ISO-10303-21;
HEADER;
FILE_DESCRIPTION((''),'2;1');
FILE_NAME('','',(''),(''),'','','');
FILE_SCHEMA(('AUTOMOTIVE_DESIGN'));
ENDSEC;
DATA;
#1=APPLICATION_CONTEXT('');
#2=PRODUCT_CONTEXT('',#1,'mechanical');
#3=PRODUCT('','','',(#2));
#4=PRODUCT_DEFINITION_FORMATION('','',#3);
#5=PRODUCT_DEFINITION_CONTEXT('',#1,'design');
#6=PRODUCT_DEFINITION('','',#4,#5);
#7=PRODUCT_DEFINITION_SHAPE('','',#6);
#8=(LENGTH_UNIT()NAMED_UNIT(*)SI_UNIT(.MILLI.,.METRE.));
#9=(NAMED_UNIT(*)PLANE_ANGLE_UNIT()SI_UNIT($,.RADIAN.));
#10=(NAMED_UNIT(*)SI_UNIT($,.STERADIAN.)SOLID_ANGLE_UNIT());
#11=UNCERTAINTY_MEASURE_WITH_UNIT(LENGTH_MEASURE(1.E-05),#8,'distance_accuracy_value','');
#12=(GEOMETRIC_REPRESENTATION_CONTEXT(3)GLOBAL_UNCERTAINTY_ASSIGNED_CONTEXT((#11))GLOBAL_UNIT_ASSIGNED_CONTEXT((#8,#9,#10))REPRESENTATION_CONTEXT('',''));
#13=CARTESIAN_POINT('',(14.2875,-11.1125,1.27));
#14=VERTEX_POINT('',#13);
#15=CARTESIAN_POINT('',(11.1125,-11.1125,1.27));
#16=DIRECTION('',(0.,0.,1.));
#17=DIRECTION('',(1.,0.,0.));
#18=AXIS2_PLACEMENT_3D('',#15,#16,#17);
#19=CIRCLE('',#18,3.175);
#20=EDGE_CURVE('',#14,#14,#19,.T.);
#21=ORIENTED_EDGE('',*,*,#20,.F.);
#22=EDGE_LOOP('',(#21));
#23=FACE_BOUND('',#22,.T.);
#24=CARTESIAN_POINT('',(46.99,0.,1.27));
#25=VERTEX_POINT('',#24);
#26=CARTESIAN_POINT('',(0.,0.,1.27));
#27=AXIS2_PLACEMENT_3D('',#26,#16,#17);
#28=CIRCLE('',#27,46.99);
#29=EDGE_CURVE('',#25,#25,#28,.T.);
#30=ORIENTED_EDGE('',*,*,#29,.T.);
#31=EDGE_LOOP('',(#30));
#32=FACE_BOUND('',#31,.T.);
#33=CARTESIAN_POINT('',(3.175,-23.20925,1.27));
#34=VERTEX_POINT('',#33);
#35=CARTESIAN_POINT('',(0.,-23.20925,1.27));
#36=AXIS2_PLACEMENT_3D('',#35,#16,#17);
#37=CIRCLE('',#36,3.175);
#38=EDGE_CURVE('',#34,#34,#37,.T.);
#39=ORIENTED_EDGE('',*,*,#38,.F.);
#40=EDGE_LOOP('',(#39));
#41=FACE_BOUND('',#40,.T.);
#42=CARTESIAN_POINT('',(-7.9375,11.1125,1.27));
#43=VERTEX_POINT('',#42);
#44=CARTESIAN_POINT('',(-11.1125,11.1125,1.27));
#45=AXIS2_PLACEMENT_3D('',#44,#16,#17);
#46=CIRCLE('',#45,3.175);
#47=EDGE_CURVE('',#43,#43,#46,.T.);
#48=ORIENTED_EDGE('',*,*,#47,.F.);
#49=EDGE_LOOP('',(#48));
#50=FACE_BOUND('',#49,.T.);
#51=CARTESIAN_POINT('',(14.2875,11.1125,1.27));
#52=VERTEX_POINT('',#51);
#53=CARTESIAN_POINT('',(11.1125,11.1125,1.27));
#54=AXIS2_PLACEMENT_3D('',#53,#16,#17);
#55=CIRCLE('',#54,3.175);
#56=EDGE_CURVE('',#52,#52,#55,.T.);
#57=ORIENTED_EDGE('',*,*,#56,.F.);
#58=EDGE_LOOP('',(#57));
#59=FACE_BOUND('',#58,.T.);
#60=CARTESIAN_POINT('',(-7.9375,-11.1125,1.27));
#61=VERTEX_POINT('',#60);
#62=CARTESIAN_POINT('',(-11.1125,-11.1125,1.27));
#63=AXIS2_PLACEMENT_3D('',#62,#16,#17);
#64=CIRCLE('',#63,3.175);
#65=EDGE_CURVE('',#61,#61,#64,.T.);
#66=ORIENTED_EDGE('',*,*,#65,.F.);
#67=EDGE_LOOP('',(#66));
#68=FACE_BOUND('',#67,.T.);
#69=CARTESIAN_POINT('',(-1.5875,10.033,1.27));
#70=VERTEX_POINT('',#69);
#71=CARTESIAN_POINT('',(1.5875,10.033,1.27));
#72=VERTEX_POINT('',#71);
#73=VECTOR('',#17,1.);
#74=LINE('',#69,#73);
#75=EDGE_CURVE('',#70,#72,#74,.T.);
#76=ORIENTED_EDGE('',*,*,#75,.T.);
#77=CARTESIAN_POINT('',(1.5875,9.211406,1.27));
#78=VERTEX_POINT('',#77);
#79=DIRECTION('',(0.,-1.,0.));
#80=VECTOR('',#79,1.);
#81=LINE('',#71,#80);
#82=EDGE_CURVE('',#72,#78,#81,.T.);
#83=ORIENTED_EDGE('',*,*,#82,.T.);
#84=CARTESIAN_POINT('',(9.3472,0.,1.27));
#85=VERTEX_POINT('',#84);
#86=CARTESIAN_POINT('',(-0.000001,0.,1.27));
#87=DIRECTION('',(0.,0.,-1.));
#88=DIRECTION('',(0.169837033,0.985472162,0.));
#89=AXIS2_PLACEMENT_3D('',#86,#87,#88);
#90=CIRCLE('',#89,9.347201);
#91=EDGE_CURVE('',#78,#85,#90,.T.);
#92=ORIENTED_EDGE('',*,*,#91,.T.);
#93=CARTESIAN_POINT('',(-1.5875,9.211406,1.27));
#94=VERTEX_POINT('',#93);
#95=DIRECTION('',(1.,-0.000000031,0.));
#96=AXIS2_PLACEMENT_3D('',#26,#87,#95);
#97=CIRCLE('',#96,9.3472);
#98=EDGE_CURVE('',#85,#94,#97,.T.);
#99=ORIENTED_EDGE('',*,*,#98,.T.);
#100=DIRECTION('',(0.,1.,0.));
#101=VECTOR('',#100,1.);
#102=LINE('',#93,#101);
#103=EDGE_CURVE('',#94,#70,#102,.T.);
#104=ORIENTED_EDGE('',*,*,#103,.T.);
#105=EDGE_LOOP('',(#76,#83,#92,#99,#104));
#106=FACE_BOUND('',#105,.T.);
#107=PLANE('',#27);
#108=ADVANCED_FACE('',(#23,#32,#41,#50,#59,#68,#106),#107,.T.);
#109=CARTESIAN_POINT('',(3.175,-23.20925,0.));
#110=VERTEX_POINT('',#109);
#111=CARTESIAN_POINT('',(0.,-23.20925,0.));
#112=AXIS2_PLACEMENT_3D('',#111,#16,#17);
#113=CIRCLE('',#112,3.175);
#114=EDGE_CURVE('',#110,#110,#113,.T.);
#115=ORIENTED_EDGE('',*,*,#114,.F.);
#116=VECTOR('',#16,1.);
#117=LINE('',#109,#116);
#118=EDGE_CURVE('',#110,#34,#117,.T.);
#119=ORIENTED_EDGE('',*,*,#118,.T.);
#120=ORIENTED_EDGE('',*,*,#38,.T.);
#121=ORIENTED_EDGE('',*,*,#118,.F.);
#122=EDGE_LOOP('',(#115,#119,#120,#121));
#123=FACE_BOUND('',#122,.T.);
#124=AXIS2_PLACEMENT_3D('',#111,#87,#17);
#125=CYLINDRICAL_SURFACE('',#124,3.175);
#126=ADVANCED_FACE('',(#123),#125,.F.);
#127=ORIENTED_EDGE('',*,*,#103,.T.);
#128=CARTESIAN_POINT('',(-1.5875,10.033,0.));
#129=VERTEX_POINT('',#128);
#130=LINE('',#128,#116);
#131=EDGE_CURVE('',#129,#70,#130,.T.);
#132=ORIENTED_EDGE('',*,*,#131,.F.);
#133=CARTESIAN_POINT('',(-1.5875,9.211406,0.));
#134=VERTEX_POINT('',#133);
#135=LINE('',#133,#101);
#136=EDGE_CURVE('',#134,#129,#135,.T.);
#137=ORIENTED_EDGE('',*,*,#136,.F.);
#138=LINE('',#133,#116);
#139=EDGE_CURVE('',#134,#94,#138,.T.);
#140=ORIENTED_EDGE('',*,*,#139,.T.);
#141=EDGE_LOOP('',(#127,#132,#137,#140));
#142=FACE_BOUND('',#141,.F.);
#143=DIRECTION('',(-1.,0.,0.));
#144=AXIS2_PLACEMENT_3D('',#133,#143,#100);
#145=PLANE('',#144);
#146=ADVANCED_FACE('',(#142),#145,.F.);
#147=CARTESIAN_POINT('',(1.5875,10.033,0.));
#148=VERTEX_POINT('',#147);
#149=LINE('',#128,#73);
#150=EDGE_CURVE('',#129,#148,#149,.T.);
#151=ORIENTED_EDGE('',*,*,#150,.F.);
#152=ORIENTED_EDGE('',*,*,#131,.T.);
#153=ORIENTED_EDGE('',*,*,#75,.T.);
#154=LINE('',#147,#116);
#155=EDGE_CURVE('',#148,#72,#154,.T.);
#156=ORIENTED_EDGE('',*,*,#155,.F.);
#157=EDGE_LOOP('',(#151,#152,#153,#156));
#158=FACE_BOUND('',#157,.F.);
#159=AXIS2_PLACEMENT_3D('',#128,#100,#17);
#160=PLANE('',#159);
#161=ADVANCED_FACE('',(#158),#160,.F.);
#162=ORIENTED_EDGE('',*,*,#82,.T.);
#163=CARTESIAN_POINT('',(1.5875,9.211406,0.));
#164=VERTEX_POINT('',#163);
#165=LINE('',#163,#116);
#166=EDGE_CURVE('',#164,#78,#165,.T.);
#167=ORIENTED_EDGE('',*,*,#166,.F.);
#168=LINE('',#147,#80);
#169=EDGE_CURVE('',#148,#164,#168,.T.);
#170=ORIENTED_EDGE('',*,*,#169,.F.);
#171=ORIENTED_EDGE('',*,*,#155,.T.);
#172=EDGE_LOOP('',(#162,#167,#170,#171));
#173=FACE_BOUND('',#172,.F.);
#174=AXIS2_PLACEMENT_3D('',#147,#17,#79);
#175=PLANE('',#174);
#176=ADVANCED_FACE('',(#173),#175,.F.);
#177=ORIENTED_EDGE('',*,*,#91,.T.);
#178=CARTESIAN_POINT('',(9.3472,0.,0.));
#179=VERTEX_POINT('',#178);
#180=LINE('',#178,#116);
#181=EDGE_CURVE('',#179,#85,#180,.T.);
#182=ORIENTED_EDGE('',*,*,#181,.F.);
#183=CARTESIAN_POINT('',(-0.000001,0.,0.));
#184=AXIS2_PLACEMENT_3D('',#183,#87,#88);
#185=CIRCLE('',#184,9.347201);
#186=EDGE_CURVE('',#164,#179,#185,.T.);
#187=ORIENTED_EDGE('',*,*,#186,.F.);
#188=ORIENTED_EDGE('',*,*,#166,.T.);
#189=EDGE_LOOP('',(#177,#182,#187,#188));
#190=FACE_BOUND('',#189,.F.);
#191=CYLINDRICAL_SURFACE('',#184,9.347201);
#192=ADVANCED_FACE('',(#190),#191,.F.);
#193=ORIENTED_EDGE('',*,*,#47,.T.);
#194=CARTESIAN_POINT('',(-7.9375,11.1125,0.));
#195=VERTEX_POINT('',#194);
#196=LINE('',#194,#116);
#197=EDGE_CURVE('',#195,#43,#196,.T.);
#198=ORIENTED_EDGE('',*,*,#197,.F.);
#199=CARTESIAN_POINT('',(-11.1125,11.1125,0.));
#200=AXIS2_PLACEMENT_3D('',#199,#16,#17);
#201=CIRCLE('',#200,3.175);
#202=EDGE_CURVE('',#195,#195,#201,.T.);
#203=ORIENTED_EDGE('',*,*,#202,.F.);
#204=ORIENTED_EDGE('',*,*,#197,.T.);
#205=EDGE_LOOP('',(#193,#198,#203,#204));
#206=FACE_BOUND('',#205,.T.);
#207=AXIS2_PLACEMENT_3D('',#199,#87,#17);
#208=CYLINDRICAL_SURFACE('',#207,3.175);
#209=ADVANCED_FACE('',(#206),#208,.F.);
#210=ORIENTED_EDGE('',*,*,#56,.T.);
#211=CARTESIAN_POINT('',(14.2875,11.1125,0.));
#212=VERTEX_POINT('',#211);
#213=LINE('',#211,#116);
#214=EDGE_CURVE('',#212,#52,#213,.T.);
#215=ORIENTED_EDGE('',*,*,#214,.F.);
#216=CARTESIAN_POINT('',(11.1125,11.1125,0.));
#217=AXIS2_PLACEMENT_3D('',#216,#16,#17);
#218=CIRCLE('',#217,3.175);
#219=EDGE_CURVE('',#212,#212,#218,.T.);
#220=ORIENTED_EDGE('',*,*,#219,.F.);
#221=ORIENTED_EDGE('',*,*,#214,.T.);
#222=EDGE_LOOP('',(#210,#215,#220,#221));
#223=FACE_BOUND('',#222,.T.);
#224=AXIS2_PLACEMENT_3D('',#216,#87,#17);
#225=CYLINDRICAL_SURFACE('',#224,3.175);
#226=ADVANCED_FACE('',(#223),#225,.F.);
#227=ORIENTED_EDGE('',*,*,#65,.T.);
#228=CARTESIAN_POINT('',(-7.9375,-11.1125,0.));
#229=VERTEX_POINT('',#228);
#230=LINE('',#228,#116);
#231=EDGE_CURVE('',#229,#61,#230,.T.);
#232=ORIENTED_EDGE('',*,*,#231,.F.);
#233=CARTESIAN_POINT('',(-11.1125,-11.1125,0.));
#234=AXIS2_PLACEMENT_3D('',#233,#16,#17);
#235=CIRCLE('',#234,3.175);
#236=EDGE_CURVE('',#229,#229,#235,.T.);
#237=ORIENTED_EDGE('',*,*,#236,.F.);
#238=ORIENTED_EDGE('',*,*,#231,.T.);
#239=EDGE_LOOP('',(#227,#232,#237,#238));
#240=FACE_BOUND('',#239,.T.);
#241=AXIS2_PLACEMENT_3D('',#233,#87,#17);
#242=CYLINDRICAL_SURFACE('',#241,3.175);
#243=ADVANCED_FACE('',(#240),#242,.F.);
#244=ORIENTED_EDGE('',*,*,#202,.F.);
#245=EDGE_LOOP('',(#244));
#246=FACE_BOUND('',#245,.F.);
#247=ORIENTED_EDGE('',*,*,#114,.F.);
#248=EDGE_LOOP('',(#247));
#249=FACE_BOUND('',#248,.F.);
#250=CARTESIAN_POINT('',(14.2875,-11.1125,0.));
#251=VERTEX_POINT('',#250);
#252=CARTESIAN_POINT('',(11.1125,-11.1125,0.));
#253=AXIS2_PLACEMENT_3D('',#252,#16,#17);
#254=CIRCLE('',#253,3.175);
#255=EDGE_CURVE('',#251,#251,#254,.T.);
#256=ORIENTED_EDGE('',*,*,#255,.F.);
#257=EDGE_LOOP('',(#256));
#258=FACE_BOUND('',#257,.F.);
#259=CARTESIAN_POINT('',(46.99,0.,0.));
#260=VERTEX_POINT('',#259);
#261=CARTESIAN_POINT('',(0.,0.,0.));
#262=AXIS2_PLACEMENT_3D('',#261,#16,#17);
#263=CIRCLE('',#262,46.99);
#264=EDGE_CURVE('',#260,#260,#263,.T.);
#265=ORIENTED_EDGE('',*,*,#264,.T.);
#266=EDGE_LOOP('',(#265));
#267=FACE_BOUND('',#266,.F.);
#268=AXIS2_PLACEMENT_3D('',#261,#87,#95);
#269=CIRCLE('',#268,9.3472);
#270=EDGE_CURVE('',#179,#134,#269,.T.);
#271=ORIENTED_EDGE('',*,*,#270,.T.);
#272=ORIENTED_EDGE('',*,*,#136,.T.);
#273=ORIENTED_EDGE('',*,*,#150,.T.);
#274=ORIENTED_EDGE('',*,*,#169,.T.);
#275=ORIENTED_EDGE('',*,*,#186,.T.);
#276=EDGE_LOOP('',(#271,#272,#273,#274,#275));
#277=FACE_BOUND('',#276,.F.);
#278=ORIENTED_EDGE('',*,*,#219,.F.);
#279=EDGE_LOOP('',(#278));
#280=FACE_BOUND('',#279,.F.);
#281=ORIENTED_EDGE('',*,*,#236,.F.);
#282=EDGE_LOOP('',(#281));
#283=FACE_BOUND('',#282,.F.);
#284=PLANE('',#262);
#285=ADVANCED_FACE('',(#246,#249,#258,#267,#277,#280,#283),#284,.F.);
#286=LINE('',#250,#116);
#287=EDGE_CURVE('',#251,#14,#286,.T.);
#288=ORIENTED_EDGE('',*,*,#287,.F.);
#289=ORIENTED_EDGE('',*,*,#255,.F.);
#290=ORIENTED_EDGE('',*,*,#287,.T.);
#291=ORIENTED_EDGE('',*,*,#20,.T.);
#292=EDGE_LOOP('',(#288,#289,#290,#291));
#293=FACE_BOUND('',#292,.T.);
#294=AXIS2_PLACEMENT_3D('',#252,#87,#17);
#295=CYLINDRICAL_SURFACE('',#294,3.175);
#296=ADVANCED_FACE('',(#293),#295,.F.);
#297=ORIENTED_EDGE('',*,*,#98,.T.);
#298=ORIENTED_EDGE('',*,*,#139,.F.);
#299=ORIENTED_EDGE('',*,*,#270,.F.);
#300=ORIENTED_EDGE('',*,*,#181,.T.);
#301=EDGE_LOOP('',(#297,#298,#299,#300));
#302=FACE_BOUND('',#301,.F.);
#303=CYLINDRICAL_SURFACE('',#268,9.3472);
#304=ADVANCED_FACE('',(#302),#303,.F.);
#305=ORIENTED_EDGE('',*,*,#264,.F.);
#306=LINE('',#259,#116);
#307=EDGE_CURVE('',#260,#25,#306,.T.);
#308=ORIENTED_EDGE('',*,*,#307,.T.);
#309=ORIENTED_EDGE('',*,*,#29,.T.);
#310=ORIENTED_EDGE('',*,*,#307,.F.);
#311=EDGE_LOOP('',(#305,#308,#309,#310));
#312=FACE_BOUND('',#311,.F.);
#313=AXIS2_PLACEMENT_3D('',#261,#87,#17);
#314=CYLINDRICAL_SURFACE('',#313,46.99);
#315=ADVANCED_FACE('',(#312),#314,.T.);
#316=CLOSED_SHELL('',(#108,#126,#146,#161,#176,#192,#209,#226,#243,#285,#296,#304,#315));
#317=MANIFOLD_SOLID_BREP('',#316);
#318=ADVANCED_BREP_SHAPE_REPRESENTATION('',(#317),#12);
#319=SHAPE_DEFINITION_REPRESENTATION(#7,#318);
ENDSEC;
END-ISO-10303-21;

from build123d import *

# Parameters (mm, degrees)
F0_R     = 46.99
F0_R_2   = 3.175
F1_DEPTH = 1.27


with BuildPart() as f1:
    # F0 (on Top) → F1 (new body)
    with BuildSketch(Plane.XY):
        Circle(F0_R)
        with Locations((0, -23.20925)):
            Circle(F0_R_2, mode=Mode.SUBTRACT)
        with Locations((-11.1125, -11.1125)):
            Circle(F0_R_2, mode=Mode.SUBTRACT)
        with Locations((11.1125, -11.1125)):
            Circle(F0_R_2, mode=Mode.SUBTRACT)
        with BuildLine():
            ThreePointArc((1.5875, 9.211406), (7.148735, 6.022104), (9.3472, 0))
            ThreePointArc((9.3472, 0), (-6.022104, -7.148735), (-1.5875, 9.211406))
            Line((-1.5875, 9.211406), (-1.5875, 10.033))
            Line((-1.5875, 10.033), (1.5875, 10.033))
            Line((1.5875, 10.033), (1.5875, 9.211406))
        make_face(mode=Mode.SUBTRACT)
        with Locations((-11.1125, 11.1125)):
            Circle(F0_R_2, mode=Mode.SUBTRACT)
        with Locations((11.1125, 11.1125)):
            Circle(F0_R_2, mode=Mode.SUBTRACT)
    extrude(amount=F1_DEPTH)


solid = f1.part
